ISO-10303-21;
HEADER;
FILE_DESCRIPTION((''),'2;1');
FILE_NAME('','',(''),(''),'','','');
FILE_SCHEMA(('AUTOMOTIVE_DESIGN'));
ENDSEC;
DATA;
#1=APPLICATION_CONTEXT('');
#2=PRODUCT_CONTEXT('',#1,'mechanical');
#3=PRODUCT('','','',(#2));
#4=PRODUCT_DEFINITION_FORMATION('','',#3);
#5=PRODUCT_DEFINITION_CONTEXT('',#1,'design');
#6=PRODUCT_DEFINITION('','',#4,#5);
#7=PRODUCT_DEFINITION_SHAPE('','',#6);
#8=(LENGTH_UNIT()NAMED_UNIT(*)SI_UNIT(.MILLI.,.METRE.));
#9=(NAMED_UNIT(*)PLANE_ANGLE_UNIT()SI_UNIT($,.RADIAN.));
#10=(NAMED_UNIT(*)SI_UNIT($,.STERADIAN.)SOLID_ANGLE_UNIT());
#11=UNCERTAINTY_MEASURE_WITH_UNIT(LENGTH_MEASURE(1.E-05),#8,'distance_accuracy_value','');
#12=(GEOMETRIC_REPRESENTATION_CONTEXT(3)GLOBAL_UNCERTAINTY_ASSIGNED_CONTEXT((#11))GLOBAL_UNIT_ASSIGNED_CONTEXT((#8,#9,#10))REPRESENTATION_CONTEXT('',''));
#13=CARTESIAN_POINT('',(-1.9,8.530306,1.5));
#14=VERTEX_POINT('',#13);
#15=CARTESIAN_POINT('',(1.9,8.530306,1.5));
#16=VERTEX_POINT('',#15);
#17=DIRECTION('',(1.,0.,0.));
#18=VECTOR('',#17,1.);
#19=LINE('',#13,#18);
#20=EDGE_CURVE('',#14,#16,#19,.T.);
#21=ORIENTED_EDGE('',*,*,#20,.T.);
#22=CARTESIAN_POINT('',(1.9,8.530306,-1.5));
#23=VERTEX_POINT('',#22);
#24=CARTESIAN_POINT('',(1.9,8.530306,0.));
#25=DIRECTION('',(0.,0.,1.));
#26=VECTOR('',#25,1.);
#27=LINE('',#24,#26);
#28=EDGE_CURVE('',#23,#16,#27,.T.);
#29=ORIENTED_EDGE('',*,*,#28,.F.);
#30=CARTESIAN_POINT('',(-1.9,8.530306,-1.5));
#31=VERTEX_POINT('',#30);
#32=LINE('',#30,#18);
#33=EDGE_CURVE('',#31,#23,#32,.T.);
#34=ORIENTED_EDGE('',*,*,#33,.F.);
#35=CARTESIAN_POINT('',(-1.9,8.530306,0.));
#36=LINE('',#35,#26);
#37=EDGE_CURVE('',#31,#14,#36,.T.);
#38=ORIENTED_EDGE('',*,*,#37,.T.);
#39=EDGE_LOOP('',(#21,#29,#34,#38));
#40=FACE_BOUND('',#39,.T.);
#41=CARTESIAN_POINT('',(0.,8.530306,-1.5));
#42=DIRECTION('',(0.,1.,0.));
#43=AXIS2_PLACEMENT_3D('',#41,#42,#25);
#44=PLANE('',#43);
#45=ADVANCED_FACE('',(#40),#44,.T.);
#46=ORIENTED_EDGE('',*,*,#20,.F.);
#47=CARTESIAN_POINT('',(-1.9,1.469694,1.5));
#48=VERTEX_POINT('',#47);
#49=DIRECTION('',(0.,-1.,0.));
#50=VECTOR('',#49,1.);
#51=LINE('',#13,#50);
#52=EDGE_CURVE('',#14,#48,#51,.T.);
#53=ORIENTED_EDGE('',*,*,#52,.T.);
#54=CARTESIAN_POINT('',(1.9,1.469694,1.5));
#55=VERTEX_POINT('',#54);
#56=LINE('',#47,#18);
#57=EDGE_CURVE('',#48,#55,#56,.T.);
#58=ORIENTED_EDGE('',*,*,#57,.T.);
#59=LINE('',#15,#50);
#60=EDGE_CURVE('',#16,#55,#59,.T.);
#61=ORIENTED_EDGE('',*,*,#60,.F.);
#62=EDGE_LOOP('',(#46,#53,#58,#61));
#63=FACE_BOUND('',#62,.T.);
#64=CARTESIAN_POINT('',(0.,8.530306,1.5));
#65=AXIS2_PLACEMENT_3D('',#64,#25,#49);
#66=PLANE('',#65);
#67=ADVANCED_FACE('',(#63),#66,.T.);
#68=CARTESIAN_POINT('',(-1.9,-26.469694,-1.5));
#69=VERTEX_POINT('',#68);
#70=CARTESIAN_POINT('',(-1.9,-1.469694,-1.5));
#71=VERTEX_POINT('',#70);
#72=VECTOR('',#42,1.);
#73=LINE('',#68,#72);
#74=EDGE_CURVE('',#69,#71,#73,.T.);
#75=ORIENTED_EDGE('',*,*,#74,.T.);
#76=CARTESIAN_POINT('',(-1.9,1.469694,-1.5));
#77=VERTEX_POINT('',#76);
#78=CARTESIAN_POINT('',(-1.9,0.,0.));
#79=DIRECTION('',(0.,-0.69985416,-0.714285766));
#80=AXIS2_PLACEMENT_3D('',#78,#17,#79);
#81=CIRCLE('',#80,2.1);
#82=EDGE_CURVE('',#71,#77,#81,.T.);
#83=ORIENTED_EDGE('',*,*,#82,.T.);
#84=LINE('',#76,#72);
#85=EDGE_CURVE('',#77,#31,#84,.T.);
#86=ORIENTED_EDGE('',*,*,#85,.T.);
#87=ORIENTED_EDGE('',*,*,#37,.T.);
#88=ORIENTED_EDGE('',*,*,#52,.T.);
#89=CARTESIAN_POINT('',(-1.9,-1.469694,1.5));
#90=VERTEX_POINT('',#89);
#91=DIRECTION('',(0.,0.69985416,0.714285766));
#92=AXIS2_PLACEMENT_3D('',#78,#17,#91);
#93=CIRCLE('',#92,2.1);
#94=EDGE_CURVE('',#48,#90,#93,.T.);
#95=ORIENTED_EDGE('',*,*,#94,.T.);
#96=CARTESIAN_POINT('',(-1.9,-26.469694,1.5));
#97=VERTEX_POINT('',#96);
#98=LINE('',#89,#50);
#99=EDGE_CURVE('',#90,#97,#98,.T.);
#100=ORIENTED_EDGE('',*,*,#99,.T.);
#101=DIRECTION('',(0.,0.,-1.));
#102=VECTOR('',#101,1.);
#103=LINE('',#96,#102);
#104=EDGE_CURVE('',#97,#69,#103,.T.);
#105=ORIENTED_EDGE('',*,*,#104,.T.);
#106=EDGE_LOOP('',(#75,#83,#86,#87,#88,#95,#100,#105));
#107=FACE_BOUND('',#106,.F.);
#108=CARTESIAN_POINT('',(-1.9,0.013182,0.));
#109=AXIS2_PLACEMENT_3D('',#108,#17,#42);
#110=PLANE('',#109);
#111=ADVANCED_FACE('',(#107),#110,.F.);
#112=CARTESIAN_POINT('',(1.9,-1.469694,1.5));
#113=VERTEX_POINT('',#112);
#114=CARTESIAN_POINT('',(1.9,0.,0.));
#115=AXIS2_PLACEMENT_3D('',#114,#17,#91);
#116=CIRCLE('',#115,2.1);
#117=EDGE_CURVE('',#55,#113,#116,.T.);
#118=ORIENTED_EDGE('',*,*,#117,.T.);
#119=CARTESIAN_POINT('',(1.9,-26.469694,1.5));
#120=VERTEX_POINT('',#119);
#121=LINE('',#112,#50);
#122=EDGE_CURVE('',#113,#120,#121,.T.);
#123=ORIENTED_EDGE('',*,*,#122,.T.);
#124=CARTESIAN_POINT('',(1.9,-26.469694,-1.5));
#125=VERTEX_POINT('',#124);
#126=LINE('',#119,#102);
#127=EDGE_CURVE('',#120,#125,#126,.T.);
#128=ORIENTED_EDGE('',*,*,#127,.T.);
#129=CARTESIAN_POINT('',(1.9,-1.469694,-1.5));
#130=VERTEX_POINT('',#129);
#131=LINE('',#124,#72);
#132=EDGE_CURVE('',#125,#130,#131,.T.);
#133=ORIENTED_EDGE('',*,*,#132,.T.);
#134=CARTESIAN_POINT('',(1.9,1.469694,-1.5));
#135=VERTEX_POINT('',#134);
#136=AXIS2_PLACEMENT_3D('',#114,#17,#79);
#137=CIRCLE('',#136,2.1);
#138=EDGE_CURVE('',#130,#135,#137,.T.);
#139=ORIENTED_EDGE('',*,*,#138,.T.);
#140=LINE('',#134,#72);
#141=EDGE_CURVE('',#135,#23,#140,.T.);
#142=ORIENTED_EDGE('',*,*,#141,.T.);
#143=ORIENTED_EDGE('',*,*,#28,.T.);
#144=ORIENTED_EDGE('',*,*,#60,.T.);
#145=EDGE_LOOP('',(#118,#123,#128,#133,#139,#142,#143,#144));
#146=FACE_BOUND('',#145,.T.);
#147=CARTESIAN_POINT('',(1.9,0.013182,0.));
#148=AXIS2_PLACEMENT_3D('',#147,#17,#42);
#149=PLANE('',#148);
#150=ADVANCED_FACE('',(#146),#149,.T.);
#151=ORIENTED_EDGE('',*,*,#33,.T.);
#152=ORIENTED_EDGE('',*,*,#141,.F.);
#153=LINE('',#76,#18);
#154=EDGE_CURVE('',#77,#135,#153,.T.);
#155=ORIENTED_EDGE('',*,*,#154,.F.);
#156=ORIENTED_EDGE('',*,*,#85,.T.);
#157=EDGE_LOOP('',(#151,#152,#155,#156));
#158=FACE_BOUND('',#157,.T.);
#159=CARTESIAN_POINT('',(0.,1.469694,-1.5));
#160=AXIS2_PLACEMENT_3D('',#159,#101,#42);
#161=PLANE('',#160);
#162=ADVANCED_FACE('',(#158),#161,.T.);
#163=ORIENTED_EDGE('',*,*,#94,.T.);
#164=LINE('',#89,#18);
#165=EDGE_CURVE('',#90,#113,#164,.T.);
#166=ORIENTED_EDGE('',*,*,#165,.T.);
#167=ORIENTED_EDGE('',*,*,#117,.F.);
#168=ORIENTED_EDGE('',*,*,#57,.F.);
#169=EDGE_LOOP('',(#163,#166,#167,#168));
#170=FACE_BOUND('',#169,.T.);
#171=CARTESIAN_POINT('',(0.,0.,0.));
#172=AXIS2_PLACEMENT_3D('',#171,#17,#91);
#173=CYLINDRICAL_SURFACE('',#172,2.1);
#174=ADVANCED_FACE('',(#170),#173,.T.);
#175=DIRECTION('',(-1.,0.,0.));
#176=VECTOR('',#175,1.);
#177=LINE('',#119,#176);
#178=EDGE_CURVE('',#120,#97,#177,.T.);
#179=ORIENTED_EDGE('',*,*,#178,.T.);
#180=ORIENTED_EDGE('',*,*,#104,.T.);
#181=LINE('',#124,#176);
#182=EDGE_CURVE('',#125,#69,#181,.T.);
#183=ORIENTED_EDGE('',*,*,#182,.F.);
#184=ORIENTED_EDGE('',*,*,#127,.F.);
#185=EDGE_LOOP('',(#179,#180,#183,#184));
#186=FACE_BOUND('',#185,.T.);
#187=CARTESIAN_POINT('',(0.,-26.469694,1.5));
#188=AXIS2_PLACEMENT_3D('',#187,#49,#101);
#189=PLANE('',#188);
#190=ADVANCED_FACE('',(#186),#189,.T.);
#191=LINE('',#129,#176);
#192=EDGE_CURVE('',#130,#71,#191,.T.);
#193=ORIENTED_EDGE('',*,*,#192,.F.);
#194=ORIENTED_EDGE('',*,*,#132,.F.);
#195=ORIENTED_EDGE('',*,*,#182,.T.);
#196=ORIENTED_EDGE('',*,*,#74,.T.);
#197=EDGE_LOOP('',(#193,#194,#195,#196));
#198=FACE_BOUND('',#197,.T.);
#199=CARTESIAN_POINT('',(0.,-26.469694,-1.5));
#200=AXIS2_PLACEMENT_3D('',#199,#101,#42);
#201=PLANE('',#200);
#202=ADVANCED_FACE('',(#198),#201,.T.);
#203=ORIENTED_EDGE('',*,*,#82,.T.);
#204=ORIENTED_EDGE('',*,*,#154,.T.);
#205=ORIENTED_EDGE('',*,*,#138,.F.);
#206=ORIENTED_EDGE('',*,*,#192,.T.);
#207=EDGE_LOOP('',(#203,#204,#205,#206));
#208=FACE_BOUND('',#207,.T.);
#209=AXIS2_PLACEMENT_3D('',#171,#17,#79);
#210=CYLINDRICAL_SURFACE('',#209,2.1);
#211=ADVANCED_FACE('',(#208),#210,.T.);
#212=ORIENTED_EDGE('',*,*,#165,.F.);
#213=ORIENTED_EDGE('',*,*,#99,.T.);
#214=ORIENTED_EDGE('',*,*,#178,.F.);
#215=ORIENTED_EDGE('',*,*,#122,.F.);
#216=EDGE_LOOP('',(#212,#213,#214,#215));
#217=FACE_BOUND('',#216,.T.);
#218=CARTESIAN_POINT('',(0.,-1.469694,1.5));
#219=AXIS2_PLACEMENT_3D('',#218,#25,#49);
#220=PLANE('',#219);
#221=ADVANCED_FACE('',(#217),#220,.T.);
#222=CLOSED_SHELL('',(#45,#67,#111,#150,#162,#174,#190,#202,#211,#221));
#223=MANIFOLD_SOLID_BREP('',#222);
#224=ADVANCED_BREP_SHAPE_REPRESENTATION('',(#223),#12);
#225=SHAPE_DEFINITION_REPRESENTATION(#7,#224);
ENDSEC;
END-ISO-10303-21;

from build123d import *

# Parameters (mm, degrees)
F0_W          = 3
F0_H          = 3
F1_DEPTH      = 1.9
F1_DEPTH_BACK = 1.9


with BuildPart() as f1:
    # F0 (on Right) → F1 (new body, two sides)
    with BuildSketch(Plane.YZ) as f1_sk:
        with BuildLine():
            Line((1.469694, 1.5), (-1.469694, 1.5))
            ThreePointArc((-1.469694, 1.5), (-2.1, 0), (-1.469694, -1.5))
            Line((-1.469694, -1.5), (1.469694, -1.5))
            ThreePointArc((1.469694, -1.5), (1.936021, -0.813524), (2.1, 0))
            ThreePointArc((2.1, 0), (1.936021, 0.813524), (1.469694, 1.5))
        make_face()
        with BuildLine():
            Line((1.469694, -1.5), (-1.469694, -1.5))
            ThreePointArc((-1.469694, -1.5), (0, -2.1), (1.469694, -1.5))
        make_face()
        with BuildLine():
            Line((5.530306, 1.5), (1.469694, 1.5))
            ThreePointArc((1.469694, 1.5), (1.936021, 0.813524), (2.1, 0))
            ThreePointArc((2.1, 0), (1.936021, -0.813524), (1.469694, -1.5))
            Line((1.469694, -1.5), (5.530306, -1.5))
            Line((5.530306, -1.5), (5.530306, 1.5))
        make_face()
        with Locations((7.030306, 0)):
            Rectangle(F0_W, F0_H)
        with BuildLine():
            ThreePointArc((1.469694, 1.5), (0, 2.1), (-1.469694, 1.5))
            Line((-1.469694, 1.5), (1.469694, 1.5))
        make_face()
        with BuildLine():
            ThreePointArc((-1.469694, -1.5), (-2.1, 0), (-1.469694, 1.5))
            Line((-1.469694, 1.5), (-26.469694, 1.5))
            Line((-26.469694, 1.5), (-26.469694, -1.5))
            Line((-26.469694, -1.5), (-1.469694, -1.5))
        make_face()
    extrude(amount=F1_DEPTH)
    extrude(f1_sk.sketch, amount=-F1_DEPTH_BACK)


solid = f1.part
